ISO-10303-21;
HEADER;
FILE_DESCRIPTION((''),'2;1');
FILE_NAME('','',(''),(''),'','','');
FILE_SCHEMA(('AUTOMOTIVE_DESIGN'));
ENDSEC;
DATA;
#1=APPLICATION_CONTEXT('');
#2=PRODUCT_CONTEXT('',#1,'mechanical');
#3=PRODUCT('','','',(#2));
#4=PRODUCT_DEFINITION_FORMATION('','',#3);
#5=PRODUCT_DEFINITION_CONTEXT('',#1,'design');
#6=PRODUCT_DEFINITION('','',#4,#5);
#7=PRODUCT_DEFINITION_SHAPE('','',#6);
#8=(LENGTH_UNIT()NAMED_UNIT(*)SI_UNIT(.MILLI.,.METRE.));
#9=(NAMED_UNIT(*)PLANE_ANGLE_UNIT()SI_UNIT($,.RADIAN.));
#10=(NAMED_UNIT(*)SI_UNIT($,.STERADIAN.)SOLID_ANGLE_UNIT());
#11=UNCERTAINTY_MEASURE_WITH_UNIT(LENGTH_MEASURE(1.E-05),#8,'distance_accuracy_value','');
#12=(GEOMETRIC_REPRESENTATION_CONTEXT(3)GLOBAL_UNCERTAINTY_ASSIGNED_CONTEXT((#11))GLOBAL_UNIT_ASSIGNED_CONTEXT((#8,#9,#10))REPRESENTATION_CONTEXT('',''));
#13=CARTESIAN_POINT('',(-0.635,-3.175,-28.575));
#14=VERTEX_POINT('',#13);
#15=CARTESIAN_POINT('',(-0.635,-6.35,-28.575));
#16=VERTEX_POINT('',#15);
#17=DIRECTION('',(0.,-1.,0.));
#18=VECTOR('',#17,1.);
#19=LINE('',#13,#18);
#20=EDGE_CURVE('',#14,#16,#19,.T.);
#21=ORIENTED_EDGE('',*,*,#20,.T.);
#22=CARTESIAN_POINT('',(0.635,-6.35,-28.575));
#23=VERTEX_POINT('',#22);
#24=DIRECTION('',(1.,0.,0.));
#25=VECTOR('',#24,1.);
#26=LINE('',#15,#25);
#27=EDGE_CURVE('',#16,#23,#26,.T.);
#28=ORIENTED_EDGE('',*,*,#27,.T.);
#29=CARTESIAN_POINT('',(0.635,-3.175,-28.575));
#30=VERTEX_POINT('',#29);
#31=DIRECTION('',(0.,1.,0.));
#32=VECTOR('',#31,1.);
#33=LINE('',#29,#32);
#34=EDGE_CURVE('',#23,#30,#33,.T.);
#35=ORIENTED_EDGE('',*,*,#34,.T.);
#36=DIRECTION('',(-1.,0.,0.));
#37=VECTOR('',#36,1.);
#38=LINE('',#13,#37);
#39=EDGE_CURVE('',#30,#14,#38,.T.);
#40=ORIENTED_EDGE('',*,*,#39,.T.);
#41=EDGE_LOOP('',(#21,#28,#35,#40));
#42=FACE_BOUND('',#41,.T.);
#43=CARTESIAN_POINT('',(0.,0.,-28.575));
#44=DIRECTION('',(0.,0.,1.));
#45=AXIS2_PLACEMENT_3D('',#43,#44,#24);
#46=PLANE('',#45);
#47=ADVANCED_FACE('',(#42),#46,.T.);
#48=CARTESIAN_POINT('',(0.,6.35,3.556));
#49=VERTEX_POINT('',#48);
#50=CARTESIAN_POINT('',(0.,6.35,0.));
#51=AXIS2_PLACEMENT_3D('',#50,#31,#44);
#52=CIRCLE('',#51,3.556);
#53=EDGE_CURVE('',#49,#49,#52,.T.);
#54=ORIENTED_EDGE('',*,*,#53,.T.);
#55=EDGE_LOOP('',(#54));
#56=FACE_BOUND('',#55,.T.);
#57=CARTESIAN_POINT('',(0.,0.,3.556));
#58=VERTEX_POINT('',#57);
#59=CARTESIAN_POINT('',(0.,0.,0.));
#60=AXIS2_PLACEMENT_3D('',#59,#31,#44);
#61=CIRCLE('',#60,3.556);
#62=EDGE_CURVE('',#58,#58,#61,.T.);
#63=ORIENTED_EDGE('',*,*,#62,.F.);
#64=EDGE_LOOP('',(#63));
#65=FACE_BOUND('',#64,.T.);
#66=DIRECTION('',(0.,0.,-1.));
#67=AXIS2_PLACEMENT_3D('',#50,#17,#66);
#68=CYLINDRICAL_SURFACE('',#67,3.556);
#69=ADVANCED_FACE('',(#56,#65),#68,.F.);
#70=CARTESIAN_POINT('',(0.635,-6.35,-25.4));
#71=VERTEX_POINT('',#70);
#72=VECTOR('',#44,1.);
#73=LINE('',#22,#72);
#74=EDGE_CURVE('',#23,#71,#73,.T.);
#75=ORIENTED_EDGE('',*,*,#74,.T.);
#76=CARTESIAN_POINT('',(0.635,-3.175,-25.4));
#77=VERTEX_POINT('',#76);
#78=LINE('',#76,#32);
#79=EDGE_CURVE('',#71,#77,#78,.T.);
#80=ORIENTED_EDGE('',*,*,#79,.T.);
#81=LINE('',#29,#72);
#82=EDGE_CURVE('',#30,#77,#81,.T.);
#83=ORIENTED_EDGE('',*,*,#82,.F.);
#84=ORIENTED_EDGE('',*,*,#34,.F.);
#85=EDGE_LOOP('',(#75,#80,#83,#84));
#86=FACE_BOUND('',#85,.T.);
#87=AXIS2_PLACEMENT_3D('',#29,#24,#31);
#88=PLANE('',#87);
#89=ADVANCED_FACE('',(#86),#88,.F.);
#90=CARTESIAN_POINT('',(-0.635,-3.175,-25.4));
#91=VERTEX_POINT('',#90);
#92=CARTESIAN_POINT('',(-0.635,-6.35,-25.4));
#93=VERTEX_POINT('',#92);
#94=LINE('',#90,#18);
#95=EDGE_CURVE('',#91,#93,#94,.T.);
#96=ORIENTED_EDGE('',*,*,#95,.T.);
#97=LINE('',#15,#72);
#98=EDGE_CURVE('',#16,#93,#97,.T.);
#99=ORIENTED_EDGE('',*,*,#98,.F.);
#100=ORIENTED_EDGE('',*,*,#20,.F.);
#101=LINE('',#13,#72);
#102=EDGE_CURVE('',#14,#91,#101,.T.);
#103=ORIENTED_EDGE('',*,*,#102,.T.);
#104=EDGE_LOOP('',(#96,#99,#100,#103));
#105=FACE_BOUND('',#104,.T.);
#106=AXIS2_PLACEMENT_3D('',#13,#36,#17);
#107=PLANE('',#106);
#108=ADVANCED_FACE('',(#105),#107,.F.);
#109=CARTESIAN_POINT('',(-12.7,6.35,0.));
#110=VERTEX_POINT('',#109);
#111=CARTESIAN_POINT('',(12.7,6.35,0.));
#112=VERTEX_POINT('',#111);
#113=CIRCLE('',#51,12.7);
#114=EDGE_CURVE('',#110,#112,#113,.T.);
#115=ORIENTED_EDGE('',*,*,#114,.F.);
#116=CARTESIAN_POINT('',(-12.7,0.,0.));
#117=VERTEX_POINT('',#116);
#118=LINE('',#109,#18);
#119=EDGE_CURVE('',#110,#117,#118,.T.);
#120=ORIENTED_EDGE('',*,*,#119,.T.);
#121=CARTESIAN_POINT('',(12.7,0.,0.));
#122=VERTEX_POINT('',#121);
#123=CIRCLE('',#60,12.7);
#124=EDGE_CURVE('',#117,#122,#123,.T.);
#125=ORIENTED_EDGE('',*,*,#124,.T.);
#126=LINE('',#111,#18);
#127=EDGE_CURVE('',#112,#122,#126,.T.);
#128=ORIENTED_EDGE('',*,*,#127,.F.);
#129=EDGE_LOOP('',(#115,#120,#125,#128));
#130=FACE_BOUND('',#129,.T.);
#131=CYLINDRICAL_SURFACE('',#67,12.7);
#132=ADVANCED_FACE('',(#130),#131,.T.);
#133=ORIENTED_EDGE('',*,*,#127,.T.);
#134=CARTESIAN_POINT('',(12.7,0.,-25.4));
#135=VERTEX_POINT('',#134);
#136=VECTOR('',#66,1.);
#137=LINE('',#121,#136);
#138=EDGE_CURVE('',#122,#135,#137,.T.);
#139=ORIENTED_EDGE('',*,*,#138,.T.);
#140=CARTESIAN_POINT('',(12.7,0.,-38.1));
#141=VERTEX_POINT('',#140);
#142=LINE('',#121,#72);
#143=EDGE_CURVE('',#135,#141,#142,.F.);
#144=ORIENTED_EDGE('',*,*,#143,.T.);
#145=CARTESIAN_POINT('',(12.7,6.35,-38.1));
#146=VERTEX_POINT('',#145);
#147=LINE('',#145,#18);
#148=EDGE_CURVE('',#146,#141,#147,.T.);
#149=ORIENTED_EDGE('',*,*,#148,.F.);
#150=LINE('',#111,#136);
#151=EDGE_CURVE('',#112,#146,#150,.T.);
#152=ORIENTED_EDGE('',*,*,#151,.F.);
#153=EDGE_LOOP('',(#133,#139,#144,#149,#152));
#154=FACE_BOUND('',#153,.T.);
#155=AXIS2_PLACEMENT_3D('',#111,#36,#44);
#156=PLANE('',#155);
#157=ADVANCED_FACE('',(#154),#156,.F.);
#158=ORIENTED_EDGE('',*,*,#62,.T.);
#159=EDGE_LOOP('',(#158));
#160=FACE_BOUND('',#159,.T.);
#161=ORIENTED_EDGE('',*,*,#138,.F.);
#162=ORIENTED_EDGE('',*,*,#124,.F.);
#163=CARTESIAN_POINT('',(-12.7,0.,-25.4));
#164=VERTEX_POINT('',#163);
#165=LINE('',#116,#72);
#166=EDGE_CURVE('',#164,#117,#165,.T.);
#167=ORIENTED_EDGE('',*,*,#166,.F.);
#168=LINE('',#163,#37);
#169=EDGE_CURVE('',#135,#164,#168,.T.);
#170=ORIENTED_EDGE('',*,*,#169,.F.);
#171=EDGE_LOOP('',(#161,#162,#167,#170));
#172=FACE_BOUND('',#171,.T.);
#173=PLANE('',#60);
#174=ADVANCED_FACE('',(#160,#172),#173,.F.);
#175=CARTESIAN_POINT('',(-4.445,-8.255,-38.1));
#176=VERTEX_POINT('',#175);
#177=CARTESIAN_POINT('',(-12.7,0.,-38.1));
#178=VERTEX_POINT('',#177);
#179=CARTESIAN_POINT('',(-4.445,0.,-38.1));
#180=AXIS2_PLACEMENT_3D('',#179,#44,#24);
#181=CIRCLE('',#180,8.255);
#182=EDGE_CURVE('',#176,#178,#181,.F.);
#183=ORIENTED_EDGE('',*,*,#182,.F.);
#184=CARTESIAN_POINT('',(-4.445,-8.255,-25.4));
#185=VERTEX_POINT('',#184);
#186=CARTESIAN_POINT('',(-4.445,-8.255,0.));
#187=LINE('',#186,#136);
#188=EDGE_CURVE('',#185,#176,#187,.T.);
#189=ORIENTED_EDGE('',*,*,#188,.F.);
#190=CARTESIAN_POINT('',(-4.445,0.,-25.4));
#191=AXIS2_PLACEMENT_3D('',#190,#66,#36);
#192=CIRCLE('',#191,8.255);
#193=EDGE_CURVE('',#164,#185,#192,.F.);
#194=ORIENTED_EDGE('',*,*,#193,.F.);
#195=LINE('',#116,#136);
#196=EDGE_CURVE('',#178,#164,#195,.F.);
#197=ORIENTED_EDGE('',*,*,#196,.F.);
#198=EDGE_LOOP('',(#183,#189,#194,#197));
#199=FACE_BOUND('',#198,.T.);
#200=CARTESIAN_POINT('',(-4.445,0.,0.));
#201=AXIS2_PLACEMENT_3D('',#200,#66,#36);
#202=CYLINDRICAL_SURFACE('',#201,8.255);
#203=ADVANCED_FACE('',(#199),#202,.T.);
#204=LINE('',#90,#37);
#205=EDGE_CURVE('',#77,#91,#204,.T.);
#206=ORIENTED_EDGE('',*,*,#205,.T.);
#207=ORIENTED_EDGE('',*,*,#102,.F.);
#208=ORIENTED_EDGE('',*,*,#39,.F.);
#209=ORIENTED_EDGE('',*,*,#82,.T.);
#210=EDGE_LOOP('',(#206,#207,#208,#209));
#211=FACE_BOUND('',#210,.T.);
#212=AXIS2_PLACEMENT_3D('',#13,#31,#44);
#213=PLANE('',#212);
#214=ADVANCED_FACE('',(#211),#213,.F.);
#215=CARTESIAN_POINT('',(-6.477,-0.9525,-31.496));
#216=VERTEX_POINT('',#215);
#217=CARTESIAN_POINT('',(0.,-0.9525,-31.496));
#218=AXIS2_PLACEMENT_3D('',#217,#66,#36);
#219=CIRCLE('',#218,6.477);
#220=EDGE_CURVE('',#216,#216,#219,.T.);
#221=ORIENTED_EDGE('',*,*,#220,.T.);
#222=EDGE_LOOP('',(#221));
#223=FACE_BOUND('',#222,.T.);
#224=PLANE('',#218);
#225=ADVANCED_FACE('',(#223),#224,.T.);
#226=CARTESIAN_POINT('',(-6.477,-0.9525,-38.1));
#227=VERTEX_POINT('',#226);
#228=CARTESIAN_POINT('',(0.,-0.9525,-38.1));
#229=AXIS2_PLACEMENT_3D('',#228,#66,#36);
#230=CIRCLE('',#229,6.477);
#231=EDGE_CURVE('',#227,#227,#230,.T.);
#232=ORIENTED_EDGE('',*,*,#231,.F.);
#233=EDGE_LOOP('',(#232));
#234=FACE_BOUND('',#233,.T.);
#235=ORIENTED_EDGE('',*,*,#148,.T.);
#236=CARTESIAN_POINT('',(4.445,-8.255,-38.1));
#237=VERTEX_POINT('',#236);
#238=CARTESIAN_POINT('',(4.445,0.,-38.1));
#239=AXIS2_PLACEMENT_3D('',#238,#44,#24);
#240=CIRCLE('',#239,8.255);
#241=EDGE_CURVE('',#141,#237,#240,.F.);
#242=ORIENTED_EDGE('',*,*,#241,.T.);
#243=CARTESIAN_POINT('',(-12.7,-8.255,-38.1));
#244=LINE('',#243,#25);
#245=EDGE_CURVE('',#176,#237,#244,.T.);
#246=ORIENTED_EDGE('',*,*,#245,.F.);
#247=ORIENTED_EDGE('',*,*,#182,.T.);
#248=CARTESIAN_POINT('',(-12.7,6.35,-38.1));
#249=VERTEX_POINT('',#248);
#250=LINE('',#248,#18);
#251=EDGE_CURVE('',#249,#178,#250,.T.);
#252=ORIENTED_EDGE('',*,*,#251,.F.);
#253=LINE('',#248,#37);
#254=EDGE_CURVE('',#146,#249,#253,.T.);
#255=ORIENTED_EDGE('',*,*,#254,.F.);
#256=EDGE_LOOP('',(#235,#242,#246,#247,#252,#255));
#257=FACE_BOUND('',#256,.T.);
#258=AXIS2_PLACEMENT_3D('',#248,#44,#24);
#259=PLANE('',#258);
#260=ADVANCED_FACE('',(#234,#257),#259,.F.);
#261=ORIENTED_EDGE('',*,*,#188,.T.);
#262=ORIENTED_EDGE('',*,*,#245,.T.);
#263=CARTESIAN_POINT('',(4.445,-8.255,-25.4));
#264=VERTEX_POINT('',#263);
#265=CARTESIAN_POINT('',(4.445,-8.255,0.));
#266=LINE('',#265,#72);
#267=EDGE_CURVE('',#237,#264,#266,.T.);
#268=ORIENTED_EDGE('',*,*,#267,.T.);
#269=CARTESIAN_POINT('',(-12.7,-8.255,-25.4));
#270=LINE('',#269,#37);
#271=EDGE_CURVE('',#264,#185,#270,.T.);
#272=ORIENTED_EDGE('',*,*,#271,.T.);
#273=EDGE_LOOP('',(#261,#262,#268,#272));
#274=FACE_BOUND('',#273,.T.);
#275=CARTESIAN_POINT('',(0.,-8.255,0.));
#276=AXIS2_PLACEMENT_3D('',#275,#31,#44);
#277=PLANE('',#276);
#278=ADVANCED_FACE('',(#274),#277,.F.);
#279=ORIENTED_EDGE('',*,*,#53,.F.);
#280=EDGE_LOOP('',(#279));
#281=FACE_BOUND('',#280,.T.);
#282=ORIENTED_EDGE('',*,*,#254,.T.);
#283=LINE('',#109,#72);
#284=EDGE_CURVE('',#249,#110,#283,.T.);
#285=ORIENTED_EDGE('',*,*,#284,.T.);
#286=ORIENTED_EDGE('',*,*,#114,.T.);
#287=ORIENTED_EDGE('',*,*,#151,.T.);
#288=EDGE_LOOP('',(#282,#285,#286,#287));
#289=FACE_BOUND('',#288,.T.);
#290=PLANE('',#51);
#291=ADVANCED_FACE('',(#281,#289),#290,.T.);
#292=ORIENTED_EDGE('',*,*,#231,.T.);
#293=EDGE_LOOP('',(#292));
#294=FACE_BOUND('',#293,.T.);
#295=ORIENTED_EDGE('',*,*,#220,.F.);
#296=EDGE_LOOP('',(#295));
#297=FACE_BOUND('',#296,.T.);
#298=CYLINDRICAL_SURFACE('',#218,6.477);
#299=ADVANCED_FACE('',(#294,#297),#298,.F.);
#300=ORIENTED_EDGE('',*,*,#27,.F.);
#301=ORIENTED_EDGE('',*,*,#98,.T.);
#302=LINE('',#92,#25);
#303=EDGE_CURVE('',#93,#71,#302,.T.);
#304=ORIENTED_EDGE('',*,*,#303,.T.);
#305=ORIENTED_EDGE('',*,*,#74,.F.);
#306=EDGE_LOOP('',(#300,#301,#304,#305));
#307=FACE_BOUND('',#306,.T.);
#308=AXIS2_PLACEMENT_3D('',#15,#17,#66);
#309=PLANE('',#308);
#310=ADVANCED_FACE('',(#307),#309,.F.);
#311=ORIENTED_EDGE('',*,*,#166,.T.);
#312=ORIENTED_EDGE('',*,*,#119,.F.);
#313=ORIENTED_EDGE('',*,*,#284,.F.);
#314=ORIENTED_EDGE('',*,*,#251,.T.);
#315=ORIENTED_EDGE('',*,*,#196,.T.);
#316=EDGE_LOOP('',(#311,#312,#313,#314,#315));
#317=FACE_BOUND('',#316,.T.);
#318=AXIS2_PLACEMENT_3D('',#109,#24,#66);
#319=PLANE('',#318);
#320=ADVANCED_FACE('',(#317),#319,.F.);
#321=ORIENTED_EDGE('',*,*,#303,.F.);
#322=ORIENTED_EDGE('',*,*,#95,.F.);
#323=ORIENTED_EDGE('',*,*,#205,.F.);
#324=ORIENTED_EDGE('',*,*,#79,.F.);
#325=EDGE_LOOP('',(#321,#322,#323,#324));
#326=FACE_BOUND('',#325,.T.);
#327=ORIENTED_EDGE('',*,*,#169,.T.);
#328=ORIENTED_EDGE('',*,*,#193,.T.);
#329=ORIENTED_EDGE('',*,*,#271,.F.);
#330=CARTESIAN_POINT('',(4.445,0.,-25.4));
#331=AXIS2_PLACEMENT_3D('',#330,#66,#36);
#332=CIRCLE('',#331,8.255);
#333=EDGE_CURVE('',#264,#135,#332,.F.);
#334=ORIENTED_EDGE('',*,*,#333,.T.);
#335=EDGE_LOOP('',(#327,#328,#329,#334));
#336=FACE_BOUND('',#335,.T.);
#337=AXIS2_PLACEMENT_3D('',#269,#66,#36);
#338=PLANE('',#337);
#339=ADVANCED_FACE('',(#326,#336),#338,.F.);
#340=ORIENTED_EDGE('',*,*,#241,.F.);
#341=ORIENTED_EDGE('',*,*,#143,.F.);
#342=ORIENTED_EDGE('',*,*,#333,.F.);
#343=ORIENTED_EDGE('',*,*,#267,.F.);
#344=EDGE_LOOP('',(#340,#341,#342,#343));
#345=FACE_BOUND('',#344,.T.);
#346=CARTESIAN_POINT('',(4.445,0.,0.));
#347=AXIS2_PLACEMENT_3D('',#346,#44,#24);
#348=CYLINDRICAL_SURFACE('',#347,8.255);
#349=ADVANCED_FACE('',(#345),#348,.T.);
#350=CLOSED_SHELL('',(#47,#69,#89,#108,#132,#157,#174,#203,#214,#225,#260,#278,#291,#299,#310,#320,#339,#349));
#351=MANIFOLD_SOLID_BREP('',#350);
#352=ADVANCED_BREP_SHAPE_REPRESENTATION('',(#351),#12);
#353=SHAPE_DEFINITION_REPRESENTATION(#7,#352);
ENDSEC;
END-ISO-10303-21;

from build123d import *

# Parameters (mm, degrees)
SKETCH1_R           = 3.556
BOSS_EXTRUDE2_DEPTH = 6.35
SKETCH2_W           = 25.4
SKETCH2_H           = 12.7
BOSS_EXTRUDE3_DEPTH = 8.255
SKETCH3_W           = 1.27
SKETCH3_H           = 3.175
CUT_EXTRUDE1_DEPTH  = 3.175
SKETCH4_R           = 6.477
CUT_EXTRUDE2_DEPTH  = 6.604
FILLET1_R           = 8.255


with BuildPart() as part:
    # Sketch1 → Boss-Extrude2 (new body)
    with BuildSketch(Plane(origin=(0, 0, 0), x_dir=(1, 0, 0), z_dir=(0, 1, 0))):
        with BuildLine():
            Line((-12.7, 0), (-12.7, 38.1))
            Line((-12.7, 38.1), (12.7, 38.1))
            Line((12.7, 38.1), (12.7, 0))
            ThreePointArc((12.7, 0), (0, -12.7), (-12.7, 0))
        make_face()
        Circle(SKETCH1_R, mode=Mode.SUBTRACT)
    extrude(amount=BOSS_EXTRUDE2_DEPTH)

    # Sketch2 → Boss-Extrude3 (add)
    with BuildSketch(Plane.XZ):
        with Locations((0, -31.75)):
            Rectangle(SKETCH2_W, SKETCH2_H)
    extrude(amount=BOSS_EXTRUDE3_DEPTH)

    # Sketch3 → Cut-Extrude1 (cut)
    with BuildSketch(Plane.XY.offset(-25.4)):
        with Locations((0, -4.7625)):
            Rectangle(SKETCH3_W, SKETCH3_H)
    extrude(amount=-CUT_EXTRUDE1_DEPTH, mode=Mode.SUBTRACT)

    # Sketch4 → Cut-Extrude2 (cut)
    with BuildSketch(Plane(origin=(0, 0, -38.1), x_dir=(-1, 0, 0), z_dir=(0, 0, -1))):
        with Locations((0, -0.9525)):
            Circle(SKETCH4_R)
    extrude(amount=-CUT_EXTRUDE2_DEPTH, mode=Mode.SUBTRACT)

    # Fillet1
    fillet1_edges = [part.edges().sort_by_distance(p)[0] for p in [
        (-12.7, -8.255, -31.75),
        (12.7, -8.255, -31.75),
    ]]
    fillet(fillet1_edges, radius=FILLET1_R)


solid = part.part
